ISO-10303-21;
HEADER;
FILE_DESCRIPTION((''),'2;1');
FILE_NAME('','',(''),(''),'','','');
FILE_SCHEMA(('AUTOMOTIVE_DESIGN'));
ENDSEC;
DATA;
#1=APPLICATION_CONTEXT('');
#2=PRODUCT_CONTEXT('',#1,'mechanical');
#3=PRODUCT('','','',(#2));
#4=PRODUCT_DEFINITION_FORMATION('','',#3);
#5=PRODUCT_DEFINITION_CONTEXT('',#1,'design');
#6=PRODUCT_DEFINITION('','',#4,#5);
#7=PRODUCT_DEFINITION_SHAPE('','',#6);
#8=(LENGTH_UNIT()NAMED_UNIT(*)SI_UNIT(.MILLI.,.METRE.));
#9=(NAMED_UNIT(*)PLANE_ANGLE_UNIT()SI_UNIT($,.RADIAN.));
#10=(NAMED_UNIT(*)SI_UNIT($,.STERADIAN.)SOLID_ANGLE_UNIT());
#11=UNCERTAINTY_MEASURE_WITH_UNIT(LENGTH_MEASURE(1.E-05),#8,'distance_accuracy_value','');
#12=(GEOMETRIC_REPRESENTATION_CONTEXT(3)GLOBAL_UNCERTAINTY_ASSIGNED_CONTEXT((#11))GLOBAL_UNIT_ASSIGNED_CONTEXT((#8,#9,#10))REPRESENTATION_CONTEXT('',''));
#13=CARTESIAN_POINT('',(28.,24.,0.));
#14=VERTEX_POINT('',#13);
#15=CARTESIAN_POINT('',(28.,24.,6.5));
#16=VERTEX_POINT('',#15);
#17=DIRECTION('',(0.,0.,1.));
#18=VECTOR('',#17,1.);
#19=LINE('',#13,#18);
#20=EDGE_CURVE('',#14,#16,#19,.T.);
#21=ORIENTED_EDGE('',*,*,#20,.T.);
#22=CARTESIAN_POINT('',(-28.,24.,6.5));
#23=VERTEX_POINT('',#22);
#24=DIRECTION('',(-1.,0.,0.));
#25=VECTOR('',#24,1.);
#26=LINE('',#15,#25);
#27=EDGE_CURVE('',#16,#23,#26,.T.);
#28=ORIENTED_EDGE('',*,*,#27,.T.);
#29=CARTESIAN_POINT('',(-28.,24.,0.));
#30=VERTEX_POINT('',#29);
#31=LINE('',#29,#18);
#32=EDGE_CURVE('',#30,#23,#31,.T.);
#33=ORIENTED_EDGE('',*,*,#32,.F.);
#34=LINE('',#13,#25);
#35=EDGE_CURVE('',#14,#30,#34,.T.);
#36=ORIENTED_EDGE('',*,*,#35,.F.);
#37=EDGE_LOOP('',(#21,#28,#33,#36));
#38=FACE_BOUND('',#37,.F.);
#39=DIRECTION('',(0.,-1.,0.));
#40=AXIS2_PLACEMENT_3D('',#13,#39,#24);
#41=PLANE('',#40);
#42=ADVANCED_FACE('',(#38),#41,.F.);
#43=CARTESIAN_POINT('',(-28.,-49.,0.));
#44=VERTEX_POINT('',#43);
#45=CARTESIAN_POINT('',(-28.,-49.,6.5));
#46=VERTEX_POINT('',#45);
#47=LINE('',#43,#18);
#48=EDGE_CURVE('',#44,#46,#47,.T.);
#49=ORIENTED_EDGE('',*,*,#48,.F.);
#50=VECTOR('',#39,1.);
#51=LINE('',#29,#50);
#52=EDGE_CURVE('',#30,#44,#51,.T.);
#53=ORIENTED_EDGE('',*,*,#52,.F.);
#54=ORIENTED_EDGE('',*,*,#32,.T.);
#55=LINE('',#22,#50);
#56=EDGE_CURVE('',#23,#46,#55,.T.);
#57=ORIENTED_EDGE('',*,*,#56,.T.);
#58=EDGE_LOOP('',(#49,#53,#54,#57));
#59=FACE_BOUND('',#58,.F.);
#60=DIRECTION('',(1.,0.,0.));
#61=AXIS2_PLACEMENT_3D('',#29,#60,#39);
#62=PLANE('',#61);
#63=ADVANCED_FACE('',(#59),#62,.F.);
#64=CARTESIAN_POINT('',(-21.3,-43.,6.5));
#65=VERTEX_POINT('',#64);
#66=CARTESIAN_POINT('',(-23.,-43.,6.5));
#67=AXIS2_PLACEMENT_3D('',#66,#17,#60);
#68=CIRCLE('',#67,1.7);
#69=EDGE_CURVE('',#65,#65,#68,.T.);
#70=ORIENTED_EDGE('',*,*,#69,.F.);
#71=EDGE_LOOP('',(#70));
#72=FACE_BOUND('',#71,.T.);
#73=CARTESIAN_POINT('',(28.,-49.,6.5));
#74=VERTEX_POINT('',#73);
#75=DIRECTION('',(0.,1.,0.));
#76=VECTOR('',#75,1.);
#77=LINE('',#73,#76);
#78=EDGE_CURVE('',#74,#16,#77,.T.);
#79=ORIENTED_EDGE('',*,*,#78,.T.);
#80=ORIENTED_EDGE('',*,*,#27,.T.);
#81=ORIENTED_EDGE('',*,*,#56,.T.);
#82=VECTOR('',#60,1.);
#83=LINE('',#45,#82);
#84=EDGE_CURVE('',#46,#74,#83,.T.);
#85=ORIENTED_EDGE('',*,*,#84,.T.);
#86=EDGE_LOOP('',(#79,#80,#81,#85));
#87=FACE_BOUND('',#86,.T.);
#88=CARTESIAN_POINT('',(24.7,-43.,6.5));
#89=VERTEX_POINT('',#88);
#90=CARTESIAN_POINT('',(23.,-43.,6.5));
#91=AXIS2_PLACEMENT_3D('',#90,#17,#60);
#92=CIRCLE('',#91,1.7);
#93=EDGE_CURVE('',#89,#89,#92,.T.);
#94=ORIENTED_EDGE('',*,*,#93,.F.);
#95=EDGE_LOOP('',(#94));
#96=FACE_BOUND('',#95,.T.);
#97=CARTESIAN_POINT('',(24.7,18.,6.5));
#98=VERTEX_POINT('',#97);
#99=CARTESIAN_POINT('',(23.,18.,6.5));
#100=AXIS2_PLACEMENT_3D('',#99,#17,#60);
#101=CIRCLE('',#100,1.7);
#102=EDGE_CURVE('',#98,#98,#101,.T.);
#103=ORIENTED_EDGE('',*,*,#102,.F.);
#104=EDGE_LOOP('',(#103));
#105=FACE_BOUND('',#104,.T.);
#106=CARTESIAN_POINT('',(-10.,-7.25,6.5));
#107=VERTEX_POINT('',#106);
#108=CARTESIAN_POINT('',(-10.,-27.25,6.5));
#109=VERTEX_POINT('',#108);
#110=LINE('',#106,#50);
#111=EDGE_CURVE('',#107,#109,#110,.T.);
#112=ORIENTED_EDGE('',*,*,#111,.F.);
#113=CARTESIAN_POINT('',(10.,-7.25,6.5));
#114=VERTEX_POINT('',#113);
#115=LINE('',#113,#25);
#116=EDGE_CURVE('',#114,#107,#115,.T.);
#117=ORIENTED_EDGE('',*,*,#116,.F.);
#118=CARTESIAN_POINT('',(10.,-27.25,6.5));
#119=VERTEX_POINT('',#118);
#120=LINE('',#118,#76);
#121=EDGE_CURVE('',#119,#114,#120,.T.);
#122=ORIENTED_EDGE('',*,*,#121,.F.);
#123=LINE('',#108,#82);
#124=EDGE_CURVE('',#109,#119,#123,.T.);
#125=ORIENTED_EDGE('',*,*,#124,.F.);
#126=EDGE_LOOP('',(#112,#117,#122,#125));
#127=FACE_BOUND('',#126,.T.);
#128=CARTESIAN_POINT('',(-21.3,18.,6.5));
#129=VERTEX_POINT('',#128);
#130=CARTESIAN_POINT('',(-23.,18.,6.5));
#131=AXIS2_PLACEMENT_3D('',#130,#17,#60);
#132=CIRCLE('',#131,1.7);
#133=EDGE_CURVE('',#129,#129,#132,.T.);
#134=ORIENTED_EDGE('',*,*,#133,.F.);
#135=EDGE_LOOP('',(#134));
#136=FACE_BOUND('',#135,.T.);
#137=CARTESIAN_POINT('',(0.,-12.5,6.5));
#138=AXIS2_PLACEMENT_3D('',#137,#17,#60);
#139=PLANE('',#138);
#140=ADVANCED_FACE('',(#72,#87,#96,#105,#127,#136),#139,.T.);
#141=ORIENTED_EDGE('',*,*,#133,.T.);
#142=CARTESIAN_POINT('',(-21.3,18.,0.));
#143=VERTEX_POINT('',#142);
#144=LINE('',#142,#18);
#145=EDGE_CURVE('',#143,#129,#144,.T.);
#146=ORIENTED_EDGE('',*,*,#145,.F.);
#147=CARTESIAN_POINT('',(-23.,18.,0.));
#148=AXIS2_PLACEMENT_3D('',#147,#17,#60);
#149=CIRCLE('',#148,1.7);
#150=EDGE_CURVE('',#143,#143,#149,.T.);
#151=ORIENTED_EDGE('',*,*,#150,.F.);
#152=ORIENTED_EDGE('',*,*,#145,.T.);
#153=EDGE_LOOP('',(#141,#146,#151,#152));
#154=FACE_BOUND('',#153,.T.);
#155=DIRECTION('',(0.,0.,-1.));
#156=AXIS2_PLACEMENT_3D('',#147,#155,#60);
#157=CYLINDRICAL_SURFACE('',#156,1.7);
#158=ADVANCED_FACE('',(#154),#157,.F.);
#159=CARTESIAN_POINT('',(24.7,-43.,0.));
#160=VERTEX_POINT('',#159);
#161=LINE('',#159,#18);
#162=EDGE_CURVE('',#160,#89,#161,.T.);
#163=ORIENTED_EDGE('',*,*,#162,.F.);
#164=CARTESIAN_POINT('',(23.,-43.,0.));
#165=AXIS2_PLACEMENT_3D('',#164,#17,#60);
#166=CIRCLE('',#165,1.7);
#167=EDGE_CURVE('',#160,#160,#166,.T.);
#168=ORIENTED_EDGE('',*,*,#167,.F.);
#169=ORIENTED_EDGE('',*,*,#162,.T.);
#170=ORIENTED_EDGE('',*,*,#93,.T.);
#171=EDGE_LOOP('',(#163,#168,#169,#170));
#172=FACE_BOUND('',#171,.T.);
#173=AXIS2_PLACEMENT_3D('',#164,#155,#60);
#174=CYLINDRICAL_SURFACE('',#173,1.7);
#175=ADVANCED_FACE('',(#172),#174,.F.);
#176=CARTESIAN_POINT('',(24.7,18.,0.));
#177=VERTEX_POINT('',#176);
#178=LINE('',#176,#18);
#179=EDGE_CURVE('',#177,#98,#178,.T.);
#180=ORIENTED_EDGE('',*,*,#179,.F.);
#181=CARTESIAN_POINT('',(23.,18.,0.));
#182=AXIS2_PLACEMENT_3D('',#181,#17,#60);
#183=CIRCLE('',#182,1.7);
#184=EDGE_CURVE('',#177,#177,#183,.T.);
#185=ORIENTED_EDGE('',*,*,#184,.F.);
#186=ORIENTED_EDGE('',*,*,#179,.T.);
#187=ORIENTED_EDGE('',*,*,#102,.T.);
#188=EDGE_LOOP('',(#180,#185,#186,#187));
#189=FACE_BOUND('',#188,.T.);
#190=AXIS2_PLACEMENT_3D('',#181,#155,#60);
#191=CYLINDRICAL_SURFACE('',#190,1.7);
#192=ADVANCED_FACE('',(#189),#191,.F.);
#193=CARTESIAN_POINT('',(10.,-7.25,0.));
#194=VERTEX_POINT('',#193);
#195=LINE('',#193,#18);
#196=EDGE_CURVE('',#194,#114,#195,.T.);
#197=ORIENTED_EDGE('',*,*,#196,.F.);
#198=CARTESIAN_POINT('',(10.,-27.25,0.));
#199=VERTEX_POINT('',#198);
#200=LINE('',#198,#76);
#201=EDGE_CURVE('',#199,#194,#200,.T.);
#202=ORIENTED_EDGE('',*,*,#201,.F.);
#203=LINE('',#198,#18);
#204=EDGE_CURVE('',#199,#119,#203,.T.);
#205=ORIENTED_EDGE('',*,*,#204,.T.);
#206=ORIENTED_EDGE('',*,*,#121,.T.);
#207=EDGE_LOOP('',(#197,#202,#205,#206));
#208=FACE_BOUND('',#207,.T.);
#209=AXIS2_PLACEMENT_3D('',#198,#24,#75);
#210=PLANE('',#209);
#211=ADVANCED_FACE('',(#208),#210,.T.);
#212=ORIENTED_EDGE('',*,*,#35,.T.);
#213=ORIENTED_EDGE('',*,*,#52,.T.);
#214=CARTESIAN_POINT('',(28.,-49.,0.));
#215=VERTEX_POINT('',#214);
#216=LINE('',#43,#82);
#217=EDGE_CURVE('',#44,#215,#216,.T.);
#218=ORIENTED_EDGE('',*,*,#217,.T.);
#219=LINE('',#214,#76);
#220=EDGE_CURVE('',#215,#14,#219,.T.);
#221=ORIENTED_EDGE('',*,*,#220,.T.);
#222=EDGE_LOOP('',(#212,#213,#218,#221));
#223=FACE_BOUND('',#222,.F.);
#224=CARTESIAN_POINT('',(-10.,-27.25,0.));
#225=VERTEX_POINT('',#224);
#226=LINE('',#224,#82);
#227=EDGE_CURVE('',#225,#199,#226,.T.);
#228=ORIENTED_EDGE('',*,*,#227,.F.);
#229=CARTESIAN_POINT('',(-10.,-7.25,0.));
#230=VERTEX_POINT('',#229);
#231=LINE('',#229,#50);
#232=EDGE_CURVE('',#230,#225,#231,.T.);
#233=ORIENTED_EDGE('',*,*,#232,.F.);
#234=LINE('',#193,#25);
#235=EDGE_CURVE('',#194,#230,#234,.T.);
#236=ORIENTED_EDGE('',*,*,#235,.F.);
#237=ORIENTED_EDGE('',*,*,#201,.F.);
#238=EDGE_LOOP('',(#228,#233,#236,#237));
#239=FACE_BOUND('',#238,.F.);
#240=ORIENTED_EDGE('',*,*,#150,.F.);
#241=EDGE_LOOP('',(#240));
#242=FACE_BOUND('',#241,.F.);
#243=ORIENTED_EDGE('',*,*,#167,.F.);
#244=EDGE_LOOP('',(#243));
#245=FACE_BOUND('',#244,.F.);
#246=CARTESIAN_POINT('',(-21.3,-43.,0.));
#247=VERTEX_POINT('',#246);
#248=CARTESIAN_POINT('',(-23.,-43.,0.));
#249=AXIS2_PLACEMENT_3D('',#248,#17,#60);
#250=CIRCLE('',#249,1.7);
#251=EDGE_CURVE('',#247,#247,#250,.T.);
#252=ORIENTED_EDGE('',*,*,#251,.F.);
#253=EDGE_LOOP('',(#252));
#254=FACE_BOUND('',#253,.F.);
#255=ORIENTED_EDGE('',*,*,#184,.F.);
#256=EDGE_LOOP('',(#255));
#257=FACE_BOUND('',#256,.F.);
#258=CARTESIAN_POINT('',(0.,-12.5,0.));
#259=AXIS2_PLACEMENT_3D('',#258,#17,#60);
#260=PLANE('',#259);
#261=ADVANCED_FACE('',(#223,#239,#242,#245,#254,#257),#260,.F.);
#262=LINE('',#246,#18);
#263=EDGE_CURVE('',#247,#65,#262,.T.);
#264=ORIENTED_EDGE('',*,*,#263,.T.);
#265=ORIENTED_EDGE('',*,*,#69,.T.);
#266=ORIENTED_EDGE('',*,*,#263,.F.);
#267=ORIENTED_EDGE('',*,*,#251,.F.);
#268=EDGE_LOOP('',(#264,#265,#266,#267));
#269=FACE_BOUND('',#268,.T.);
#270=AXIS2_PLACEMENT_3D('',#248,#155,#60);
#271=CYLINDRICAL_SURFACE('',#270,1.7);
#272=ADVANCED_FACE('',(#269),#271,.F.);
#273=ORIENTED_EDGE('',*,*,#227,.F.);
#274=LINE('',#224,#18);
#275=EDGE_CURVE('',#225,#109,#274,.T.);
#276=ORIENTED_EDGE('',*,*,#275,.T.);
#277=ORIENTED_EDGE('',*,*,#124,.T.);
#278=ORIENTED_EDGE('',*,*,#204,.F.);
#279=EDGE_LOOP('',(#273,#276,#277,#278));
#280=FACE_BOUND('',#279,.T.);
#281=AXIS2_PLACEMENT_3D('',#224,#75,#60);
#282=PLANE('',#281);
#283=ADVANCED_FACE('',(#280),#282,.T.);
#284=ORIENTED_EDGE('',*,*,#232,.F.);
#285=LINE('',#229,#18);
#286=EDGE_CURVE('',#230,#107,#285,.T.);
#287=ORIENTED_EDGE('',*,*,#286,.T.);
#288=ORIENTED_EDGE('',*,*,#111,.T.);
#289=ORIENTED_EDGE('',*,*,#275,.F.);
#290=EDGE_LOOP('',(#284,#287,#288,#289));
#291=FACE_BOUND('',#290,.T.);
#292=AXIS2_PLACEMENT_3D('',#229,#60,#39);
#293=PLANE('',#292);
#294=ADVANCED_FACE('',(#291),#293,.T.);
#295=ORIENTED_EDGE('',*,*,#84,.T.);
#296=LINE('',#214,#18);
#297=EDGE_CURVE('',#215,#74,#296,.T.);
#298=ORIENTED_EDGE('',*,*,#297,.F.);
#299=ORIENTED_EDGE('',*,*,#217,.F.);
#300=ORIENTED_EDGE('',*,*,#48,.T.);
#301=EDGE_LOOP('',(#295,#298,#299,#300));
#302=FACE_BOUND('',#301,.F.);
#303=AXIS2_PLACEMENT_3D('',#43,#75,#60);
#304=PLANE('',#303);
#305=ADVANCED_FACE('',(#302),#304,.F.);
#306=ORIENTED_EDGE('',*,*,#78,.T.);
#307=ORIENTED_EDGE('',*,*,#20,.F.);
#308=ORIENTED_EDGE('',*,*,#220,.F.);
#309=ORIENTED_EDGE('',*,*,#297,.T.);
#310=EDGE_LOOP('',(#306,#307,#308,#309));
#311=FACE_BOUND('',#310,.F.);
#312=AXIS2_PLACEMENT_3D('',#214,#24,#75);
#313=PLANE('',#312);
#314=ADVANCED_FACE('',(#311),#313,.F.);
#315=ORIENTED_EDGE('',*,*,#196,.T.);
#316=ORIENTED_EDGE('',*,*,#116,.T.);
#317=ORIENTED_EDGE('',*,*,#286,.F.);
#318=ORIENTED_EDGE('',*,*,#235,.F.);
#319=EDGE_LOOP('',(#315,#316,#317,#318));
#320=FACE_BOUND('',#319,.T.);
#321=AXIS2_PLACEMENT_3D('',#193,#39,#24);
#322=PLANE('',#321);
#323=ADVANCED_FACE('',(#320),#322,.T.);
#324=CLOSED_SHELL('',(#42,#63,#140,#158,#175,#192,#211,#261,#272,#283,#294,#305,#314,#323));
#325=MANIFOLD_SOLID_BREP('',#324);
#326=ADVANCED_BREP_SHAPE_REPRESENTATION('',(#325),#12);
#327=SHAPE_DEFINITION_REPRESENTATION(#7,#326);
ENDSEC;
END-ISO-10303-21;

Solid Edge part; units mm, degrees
sketch "Sketch1" plane through (0, 0, 0) normal (0, 0, 1) x (1, 0, 0)
  line L0 (-28, -49) -> (28, -49)
  line L1 (28, -49) -> (28, 24)
  line L2 (28, 24) -> (-28, 24)
  line L3 (-28, 24) -> (-28, -49)
  line L4 (-10, -27.25) -> (10, -27.25)
  line L5 (10, -27.25) -> (10, -7.25)
  line L6 (10, -7.25) -> (-10, -7.25)
  line L7 (-10, -7.25) -> (-10, -27.25)
  circle A0 centre (-23, -43) radius 1.7
  circle A1 centre (23, -43) radius 1.7
  circle A2 centre (-23, 18) radius 1.7
  circle A3 centre (23, 18) radius 1.7
extrude "Protrusion1" add sketch "Sketch1" along normal blind 6.5
